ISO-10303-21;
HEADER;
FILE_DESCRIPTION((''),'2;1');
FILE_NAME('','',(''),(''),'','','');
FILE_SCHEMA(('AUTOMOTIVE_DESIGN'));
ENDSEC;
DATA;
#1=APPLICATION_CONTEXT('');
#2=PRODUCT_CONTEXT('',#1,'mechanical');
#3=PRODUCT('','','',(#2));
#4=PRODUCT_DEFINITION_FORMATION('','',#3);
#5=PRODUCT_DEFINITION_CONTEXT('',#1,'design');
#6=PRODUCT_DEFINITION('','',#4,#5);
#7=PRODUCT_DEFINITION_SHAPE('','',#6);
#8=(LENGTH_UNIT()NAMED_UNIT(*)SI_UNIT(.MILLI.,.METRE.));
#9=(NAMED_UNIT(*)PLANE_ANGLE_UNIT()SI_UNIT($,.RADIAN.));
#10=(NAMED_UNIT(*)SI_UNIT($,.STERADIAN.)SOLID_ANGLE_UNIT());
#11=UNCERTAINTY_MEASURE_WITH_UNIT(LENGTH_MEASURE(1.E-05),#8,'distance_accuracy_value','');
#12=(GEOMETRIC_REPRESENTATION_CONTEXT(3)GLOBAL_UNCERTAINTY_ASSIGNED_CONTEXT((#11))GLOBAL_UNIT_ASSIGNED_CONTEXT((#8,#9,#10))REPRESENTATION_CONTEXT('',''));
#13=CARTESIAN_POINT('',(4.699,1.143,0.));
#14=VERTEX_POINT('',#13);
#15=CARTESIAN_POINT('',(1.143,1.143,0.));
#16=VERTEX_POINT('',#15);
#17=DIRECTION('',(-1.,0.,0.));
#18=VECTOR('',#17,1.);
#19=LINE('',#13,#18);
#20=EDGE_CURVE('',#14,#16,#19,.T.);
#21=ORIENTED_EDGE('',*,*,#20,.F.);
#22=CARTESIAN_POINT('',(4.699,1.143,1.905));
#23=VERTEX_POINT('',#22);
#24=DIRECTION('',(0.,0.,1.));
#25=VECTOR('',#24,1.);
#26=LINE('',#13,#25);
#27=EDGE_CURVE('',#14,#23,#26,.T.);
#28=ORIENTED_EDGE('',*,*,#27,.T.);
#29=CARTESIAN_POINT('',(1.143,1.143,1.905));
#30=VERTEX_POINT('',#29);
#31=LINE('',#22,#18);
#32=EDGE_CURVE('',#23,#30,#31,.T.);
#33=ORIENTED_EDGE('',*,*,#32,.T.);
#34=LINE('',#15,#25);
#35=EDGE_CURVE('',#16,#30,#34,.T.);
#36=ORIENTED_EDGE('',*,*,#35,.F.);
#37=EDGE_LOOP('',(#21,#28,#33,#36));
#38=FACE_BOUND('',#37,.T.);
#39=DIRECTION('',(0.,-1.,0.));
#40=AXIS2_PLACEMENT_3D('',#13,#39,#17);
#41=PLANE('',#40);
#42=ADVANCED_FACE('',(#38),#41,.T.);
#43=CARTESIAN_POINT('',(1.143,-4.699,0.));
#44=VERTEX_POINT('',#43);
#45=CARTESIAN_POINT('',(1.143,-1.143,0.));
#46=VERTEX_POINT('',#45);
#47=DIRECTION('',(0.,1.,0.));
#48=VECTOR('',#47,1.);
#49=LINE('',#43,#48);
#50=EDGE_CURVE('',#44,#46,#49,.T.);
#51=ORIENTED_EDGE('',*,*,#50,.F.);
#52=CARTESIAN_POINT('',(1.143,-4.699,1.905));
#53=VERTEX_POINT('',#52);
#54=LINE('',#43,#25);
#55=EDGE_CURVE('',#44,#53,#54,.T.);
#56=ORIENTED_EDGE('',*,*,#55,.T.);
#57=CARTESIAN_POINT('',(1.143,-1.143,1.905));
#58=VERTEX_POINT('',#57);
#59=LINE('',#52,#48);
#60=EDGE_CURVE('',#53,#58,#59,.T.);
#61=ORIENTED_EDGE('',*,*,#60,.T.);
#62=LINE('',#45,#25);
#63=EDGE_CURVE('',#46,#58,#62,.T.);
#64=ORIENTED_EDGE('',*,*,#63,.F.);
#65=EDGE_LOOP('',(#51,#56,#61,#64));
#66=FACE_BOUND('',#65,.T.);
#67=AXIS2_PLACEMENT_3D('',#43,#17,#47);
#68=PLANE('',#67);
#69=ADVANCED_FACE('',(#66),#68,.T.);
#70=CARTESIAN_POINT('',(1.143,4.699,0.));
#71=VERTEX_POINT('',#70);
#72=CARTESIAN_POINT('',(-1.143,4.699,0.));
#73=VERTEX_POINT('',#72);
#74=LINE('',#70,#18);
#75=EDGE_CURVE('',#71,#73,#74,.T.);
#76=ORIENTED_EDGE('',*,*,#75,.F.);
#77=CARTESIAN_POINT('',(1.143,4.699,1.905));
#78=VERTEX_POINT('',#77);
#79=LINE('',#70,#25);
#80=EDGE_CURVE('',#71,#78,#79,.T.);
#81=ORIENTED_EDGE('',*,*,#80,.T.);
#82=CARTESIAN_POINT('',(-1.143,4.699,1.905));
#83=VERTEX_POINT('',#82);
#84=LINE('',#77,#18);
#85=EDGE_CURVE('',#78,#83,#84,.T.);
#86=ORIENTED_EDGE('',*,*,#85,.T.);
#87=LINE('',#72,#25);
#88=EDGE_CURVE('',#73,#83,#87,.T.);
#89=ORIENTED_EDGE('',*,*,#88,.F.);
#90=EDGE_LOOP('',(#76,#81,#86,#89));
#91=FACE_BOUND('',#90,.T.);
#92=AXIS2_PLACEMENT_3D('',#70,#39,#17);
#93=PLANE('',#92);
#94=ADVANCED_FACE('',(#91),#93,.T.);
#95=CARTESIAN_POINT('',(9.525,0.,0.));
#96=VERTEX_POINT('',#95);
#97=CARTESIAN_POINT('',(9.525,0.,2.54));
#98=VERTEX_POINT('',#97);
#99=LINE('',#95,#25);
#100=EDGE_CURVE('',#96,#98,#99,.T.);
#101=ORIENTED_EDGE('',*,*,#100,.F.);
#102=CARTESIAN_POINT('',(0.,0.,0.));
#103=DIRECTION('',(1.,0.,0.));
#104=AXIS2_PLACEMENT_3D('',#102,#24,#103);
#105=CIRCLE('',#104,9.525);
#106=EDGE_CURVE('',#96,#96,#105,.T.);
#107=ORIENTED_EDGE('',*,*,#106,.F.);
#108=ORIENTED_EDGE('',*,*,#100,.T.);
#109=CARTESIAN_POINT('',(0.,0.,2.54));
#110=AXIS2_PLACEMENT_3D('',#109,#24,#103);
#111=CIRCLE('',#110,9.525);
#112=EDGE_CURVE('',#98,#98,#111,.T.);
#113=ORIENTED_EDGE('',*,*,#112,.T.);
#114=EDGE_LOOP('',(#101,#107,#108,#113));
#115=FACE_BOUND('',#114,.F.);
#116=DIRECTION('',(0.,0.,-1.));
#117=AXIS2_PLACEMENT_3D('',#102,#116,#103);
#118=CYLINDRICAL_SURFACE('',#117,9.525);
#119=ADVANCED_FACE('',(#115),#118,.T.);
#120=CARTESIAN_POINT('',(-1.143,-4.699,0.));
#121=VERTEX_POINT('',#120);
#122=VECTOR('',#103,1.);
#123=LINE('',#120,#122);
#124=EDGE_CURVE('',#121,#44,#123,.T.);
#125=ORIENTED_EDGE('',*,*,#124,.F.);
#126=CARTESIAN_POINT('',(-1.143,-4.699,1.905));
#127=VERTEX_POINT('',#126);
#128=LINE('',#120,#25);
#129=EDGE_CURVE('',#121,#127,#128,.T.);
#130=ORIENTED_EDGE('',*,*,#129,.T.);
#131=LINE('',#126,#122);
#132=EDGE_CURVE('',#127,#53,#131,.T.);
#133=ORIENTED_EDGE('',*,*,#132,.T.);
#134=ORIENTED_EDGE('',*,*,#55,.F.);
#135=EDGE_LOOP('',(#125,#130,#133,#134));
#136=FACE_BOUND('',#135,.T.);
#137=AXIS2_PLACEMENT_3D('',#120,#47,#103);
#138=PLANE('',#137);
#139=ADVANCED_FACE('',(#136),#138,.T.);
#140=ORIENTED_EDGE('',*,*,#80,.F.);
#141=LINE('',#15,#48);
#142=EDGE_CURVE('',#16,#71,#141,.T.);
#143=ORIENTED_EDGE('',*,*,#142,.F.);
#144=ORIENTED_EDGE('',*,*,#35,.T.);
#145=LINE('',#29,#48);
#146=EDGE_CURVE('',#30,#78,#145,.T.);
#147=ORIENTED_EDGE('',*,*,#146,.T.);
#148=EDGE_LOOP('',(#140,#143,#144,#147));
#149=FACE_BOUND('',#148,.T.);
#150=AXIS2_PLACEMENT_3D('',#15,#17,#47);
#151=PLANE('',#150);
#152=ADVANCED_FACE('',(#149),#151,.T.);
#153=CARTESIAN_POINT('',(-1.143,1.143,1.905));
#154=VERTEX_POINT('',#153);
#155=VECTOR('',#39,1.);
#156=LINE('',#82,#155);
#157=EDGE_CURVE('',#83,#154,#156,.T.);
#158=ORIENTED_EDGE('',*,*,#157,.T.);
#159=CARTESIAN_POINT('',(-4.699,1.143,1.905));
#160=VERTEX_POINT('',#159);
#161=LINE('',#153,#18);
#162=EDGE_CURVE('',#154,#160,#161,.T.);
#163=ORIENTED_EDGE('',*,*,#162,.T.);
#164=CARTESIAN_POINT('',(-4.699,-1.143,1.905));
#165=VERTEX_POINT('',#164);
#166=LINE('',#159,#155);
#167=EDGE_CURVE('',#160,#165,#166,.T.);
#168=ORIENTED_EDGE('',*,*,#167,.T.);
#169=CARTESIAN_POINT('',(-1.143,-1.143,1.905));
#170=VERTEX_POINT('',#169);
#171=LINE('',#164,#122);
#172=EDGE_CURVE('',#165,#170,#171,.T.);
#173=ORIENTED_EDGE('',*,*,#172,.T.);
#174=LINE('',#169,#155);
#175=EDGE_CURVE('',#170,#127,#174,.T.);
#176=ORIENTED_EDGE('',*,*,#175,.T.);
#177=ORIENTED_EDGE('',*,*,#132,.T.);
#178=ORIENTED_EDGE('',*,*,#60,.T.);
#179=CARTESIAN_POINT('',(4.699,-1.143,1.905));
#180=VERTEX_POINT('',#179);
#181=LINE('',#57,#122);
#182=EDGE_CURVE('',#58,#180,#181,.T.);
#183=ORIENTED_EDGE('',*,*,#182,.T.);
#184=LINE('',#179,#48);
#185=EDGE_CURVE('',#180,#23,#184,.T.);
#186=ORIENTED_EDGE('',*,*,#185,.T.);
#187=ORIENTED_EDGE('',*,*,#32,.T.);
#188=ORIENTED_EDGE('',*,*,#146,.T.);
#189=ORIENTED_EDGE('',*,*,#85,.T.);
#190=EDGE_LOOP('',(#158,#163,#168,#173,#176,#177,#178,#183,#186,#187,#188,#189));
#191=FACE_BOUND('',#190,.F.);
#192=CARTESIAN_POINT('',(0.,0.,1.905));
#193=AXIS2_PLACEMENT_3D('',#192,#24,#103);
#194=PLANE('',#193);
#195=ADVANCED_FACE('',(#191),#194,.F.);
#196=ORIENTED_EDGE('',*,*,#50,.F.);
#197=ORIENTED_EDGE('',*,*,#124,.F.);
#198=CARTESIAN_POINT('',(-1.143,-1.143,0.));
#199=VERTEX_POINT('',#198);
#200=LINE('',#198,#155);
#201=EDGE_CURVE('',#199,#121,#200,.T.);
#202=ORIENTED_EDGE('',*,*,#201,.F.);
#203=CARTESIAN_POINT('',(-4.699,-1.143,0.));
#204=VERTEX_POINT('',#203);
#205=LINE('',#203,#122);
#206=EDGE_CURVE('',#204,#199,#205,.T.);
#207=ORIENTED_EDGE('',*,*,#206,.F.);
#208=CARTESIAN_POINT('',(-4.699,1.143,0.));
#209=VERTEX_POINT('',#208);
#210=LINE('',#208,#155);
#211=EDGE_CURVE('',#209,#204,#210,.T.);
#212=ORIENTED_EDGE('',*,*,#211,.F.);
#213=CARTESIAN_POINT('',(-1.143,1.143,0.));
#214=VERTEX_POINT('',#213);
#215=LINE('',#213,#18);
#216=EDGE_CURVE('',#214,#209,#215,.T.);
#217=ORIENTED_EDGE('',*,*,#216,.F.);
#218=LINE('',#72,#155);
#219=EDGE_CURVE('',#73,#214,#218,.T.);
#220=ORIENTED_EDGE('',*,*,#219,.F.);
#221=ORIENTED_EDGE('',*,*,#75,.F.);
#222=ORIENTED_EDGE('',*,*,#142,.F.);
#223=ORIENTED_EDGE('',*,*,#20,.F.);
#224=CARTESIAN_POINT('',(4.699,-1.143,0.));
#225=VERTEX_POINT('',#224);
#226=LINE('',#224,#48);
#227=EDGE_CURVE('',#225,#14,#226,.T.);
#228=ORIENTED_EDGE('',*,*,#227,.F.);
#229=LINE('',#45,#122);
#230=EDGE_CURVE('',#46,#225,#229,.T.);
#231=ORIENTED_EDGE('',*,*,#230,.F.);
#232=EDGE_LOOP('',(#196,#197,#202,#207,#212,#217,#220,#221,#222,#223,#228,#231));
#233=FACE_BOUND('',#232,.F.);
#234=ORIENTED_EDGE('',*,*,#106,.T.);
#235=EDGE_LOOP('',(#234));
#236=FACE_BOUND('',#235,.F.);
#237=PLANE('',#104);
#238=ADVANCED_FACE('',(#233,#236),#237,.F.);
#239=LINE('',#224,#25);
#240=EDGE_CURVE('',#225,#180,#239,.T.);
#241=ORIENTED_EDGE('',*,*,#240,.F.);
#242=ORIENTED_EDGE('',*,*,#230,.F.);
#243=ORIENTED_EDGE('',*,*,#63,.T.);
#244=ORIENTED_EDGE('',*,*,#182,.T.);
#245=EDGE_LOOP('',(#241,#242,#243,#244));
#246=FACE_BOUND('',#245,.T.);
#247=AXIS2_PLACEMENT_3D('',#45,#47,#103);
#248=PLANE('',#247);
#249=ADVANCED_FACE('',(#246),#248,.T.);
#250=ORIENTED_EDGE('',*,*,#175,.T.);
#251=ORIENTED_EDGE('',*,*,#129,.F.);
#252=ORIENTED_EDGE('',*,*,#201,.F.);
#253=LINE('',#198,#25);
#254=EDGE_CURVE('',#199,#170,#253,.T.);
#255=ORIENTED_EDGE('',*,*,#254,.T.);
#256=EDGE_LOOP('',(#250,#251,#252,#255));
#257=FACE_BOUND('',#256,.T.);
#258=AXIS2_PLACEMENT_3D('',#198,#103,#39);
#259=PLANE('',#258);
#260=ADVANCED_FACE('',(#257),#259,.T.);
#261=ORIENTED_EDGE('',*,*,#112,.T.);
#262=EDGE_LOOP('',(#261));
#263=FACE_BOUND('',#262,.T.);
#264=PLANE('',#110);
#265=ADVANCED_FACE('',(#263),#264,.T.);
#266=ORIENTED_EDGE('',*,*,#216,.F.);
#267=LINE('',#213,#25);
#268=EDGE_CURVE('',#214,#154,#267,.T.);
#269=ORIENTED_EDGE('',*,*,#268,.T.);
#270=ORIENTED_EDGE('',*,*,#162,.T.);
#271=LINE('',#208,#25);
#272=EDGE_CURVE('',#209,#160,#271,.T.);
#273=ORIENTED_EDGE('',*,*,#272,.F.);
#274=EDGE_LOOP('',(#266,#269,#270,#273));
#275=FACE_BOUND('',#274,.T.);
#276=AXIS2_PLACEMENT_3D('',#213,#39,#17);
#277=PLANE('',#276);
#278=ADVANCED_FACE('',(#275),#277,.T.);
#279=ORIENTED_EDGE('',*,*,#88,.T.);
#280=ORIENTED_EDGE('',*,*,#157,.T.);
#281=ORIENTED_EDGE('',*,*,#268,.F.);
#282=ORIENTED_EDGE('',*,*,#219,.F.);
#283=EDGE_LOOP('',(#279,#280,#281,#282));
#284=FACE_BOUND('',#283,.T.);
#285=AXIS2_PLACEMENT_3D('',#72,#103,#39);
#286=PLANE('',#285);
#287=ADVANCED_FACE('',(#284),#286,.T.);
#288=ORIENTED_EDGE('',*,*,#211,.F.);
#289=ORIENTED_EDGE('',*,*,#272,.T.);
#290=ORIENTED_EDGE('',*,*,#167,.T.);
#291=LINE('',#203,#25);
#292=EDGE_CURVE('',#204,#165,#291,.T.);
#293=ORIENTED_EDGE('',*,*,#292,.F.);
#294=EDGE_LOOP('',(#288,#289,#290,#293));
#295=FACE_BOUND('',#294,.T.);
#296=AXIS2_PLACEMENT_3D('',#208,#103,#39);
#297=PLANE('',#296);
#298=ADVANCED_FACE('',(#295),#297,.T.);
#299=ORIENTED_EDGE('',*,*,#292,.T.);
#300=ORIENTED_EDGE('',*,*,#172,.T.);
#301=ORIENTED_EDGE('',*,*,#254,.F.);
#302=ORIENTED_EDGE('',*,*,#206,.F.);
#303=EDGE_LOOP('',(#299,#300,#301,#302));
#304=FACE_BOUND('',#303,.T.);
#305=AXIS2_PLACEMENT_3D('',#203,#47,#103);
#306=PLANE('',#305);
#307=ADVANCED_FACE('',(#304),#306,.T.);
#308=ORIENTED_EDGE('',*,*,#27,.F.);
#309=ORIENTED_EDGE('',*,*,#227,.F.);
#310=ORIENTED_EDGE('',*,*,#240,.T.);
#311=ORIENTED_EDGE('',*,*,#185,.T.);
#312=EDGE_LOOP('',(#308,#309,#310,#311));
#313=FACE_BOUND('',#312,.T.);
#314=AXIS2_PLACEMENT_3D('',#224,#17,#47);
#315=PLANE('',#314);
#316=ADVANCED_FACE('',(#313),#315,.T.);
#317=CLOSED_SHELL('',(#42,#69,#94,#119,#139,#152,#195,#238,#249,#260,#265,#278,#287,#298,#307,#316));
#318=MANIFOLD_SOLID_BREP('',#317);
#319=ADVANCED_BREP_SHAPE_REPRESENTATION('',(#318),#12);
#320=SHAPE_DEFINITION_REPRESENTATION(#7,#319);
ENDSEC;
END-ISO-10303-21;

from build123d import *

# Parameters (mm, degrees)
F0_R     = 9.525
F1_DEPTH = 2.54
F3_DEPTH = 1.905


with BuildPart() as f1:
    # F0 (on Top) → F1 (new body)
    with BuildSketch(Plane.XY):
        Circle(F0_R)
    extrude(amount=F1_DEPTH)

    # F2 (on Top) → F3 (cut)
    with BuildSketch(Plane.XY):
        Polygon((1.143, 4.699), (-1.143, 4.699), (-1.143, 1.143), (-4.699, 1.143), (-4.699, -1.143), (-1.143, -1.143), (-1.143, -4.699), (1.143, -4.699), (1.143, -1.143), (4.699, -1.143), (4.699, 1.143), (1.143, 1.143), align=None)
    extrude(amount=F3_DEPTH, mode=Mode.SUBTRACT)


solid = f1.part
